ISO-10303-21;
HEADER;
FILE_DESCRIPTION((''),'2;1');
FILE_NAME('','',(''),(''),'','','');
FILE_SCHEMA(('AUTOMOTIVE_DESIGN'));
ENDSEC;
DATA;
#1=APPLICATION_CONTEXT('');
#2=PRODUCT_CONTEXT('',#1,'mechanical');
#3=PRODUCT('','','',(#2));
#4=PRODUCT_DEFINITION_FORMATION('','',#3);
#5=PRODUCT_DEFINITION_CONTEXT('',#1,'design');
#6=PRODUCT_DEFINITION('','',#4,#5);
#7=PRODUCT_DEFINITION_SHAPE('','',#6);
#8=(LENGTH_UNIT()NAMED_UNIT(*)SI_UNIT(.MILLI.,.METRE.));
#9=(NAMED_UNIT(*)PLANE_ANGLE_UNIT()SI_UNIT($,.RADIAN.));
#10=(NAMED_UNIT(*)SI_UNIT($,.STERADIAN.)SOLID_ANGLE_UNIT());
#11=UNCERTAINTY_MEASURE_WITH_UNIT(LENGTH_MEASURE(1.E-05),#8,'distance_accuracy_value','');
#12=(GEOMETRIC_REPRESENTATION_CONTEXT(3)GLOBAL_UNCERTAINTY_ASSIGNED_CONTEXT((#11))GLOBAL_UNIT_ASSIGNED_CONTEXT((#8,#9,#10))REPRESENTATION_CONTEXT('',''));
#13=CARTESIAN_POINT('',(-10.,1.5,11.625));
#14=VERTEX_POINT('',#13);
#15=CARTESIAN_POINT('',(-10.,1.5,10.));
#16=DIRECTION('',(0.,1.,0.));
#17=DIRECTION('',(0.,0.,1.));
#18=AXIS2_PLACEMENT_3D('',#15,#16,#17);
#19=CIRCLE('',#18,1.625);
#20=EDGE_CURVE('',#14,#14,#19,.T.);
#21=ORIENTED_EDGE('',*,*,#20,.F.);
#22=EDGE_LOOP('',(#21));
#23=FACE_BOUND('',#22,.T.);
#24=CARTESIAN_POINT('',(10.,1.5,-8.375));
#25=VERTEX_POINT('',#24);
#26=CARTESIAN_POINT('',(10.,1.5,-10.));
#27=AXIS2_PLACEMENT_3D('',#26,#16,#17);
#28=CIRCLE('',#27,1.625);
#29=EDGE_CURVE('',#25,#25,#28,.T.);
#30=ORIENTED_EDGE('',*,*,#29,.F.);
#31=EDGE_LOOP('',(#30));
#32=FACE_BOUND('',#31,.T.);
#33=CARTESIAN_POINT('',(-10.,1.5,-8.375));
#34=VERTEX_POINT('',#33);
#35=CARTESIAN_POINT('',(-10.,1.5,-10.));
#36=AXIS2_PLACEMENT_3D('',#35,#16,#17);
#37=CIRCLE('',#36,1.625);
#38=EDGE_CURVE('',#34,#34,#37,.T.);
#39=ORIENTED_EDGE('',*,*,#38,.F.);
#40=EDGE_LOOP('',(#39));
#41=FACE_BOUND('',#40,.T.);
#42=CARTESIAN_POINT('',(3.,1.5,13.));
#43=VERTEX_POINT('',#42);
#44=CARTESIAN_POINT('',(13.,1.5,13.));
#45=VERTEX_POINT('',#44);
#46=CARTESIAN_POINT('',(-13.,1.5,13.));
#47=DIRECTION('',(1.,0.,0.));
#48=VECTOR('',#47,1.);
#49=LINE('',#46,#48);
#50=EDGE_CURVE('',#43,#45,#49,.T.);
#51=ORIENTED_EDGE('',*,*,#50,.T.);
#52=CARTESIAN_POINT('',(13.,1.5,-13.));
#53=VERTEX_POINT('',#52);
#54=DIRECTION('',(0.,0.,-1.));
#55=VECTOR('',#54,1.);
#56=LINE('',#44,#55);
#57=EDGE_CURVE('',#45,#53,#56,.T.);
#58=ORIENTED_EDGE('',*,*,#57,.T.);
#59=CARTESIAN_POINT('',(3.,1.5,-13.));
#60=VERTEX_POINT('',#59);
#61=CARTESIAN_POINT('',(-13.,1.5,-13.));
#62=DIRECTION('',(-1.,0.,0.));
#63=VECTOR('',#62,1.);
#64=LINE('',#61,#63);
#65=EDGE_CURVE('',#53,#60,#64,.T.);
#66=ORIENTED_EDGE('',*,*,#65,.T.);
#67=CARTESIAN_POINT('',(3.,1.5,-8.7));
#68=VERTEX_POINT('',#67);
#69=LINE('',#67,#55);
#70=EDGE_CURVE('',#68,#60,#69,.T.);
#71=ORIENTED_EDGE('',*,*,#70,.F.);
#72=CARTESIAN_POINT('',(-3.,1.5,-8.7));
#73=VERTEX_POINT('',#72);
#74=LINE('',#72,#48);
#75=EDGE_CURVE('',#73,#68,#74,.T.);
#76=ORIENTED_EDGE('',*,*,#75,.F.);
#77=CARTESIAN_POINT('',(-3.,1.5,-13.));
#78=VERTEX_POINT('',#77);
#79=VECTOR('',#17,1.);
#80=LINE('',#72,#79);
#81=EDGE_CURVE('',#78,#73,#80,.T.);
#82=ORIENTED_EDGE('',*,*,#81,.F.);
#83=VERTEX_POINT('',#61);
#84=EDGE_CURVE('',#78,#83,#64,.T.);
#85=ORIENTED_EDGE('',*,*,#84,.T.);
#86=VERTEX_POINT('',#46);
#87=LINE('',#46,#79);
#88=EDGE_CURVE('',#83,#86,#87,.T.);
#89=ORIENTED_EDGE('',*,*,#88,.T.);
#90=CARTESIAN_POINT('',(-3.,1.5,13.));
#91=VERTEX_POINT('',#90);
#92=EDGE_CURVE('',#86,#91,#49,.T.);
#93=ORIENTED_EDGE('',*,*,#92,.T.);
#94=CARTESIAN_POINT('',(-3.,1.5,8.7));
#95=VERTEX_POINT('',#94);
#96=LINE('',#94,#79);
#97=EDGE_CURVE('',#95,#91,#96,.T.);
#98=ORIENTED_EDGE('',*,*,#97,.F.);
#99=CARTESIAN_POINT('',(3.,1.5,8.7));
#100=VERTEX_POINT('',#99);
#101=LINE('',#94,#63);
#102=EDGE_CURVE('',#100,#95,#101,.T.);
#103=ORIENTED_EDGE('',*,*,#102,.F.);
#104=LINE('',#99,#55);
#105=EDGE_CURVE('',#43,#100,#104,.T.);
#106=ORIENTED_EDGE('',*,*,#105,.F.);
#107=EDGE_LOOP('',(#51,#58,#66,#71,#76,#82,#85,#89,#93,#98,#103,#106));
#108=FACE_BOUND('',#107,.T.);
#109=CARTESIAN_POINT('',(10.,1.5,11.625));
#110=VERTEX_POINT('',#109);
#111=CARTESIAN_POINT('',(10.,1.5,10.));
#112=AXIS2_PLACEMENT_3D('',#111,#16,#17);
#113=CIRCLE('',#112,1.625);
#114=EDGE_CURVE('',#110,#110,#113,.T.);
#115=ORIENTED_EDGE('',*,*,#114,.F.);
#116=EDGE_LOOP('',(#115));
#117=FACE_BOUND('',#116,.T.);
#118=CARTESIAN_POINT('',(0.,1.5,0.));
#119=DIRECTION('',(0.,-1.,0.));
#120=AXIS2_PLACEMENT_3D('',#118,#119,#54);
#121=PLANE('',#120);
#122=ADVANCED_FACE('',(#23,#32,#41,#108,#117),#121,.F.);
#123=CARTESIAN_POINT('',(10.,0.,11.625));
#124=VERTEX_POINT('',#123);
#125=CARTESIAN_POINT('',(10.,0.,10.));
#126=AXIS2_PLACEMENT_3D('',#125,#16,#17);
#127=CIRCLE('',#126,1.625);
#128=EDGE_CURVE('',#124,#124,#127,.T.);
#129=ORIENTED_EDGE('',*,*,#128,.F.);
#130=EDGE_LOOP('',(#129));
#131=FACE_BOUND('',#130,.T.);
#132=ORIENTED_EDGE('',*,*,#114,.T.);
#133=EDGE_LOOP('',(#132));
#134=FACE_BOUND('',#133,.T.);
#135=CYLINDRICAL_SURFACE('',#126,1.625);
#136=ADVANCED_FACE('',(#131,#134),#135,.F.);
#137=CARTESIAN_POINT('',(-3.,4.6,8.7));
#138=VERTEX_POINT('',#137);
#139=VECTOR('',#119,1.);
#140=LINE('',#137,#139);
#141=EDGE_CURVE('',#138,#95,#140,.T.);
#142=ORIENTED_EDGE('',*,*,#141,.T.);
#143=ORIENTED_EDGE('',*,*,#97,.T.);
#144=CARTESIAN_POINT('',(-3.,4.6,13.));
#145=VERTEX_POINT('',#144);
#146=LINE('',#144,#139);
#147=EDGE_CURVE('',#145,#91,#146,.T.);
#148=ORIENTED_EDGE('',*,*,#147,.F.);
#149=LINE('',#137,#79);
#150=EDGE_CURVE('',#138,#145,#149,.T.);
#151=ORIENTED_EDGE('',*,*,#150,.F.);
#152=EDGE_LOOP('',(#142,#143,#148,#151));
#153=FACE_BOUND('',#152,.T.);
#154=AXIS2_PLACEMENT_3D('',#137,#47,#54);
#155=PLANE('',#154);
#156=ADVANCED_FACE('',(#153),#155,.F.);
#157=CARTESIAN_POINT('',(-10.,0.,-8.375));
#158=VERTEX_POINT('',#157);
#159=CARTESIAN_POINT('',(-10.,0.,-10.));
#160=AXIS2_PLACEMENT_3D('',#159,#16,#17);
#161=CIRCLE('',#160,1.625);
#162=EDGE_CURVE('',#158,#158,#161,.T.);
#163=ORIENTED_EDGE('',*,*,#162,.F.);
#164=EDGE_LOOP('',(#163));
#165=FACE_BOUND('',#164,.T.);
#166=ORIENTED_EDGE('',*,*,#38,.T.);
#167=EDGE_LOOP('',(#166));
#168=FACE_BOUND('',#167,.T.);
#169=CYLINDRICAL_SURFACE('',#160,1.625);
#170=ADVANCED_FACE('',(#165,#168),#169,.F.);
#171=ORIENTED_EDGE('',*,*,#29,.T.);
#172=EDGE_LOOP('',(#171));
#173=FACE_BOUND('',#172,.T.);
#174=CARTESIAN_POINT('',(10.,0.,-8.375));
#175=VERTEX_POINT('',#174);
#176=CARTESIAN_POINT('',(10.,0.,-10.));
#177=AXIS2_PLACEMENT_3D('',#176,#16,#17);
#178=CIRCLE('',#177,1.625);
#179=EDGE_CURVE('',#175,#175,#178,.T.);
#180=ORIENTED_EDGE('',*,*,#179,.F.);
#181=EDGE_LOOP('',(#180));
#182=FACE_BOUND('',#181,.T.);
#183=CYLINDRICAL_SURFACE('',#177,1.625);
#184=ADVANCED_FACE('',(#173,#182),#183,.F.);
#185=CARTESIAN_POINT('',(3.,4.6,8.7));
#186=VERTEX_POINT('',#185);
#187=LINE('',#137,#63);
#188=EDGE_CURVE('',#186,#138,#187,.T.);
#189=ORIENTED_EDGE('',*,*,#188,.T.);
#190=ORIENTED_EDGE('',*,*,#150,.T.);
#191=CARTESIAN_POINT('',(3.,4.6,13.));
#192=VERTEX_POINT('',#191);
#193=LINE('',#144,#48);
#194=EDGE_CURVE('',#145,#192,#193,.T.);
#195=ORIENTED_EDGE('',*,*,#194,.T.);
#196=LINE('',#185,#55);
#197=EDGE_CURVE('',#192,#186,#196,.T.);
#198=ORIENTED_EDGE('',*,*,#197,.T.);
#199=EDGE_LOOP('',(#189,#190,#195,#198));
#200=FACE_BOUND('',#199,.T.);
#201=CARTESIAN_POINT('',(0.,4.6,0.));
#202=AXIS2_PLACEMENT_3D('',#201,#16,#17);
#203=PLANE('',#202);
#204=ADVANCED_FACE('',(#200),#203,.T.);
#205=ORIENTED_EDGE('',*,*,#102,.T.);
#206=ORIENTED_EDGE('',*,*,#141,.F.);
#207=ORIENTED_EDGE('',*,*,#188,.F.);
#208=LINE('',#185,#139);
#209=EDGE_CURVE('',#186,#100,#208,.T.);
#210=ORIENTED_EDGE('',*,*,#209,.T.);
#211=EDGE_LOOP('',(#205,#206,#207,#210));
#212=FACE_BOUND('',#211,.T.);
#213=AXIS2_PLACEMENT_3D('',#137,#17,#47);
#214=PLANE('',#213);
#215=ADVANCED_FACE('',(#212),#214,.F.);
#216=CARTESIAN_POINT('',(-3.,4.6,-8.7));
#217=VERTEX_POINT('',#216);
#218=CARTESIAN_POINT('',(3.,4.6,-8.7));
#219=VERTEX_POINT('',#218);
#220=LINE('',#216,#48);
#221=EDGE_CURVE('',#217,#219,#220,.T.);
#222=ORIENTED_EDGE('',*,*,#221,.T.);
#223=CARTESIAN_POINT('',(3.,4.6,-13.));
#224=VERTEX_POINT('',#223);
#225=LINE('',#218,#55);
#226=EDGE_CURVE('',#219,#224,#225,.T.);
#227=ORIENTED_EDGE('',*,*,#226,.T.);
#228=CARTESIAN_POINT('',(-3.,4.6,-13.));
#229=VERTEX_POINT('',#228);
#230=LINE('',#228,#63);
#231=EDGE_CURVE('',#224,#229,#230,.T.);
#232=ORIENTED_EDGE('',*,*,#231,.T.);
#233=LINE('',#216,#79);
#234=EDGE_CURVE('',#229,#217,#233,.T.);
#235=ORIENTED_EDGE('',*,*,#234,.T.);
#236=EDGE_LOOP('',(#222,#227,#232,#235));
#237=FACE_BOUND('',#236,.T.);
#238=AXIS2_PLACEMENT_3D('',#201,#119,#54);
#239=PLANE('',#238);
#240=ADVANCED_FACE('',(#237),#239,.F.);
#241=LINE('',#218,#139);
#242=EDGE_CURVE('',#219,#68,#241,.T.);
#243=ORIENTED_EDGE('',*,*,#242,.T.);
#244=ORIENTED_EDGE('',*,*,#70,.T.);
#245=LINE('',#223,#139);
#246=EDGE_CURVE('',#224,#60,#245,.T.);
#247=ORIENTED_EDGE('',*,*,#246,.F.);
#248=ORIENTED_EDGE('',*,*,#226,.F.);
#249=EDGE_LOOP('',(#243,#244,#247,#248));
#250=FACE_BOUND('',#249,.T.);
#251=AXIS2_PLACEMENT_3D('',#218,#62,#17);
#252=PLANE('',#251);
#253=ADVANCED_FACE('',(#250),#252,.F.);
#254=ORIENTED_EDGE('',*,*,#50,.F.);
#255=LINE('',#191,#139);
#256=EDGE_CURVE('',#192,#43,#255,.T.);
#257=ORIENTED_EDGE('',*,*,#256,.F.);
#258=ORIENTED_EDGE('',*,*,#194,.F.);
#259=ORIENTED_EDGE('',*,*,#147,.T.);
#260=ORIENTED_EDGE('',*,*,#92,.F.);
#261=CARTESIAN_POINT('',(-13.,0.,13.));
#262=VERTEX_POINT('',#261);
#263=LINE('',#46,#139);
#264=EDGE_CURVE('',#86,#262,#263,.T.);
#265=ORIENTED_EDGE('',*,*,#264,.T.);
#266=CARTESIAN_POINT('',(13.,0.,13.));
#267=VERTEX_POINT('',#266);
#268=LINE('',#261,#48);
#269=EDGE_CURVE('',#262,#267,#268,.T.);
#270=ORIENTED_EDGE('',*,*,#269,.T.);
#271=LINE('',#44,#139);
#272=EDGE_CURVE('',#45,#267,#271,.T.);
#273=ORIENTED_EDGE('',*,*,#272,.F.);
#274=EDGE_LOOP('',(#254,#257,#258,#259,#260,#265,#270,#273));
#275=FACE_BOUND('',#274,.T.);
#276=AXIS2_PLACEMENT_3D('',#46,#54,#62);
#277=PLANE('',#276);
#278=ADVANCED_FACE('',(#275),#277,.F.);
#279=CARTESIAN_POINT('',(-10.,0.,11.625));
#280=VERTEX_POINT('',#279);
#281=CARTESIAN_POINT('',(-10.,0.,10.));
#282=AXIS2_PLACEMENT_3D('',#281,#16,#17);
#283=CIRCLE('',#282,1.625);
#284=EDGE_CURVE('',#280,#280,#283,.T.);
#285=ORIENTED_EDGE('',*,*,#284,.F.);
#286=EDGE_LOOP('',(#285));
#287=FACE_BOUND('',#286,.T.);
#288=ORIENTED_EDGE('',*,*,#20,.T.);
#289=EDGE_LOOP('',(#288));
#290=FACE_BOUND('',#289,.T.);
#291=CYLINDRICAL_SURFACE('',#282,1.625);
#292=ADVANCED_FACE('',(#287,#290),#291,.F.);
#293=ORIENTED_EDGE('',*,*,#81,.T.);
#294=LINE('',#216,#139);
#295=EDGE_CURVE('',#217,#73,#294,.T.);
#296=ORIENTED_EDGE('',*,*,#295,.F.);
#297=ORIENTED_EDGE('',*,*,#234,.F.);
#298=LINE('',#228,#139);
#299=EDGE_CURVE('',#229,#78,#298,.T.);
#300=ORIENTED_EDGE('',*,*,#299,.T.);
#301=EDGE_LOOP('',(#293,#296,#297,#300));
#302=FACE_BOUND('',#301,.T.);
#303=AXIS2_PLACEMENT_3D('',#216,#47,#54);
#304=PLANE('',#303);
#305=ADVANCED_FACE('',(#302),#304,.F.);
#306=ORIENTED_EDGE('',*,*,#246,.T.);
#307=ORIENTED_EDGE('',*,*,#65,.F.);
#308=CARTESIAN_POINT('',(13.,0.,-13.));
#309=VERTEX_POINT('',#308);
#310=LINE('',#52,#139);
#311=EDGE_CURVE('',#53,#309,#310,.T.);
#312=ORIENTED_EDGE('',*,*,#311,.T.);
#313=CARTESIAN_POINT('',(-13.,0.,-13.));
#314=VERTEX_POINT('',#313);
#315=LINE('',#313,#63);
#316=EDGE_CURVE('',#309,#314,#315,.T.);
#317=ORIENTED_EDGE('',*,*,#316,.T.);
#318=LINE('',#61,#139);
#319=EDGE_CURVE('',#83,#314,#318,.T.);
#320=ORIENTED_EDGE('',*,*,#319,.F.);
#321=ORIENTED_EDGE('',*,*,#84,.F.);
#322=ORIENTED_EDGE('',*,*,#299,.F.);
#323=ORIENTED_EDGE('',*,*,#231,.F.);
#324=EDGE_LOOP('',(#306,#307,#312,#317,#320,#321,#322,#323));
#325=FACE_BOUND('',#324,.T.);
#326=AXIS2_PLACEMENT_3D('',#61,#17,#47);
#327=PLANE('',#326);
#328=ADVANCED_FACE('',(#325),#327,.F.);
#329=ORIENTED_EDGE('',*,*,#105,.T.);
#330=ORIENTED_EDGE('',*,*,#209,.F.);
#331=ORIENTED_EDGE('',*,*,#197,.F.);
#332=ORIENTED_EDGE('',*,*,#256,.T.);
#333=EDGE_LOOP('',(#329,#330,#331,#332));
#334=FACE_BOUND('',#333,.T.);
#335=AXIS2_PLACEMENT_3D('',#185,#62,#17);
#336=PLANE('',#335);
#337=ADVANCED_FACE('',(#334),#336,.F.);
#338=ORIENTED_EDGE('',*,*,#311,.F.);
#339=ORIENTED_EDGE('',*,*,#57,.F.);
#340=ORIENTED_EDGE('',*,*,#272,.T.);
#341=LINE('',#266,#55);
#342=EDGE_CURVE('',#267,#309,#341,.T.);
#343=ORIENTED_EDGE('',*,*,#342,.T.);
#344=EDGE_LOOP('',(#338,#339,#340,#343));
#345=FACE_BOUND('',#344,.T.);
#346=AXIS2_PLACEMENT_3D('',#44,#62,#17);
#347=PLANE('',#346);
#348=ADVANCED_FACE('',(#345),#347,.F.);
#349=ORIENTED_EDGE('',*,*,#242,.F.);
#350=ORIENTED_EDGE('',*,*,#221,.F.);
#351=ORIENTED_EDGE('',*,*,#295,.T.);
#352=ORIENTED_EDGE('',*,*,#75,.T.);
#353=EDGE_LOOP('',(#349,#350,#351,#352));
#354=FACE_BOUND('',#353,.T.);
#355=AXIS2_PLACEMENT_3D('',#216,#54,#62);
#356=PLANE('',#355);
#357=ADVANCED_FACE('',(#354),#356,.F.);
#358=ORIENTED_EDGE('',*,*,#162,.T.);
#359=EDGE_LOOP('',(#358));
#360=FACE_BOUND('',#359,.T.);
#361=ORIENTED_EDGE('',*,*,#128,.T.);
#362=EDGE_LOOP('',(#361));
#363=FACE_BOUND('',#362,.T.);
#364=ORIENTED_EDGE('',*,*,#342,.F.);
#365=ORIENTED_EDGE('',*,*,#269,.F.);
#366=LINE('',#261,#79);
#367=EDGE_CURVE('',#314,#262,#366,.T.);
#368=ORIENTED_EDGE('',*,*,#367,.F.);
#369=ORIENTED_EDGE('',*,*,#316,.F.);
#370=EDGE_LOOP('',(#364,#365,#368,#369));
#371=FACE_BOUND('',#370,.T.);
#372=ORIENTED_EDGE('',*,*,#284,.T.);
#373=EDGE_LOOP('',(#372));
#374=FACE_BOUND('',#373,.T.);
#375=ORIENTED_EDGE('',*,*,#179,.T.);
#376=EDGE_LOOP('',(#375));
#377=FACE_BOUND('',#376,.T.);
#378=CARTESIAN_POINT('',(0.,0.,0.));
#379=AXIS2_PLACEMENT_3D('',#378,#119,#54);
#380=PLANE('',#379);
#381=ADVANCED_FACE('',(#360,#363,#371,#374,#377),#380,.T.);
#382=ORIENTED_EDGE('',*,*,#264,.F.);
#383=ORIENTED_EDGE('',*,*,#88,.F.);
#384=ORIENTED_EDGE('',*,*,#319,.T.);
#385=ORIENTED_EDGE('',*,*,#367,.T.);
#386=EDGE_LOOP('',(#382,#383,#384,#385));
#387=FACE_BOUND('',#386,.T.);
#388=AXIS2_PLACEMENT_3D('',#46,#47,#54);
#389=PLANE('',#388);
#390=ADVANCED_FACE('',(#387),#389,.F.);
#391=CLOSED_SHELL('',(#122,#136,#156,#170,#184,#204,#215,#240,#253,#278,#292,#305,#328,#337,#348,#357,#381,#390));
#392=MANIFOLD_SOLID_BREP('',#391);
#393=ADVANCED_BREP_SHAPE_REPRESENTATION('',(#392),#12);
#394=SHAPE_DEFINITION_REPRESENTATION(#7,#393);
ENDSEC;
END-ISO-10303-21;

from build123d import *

# Parameters (mm, degrees)
SKETCH1_W           = 26
SKETCH1_H           = 26
BOSS_EXTRUDE1_DEPTH = 1.5
SKETCH2_R           = 1.625
CUT_EXTRUDE1_DEPTH  = 19.445866746
SKETCH3_W           = 6
SKETCH3_H           = 4.3
BOSS_EXTRUDE2_DEPTH = 3.1


with BuildPart() as part:
    # Sketch1 → Boss-Extrude1 (new body)
    with BuildSketch(Plane(origin=(0, 0, 0), x_dir=(1, 0, 0), z_dir=(0, 1, 0))):
        Rectangle(SKETCH1_W, SKETCH1_H)
    extrude(amount=BOSS_EXTRUDE1_DEPTH)

    # Sketch2 → Cut-Extrude1 (cut, through all)
    with BuildSketch(Plane(origin=(0, 1.5, 0), x_dir=(1, 0, 0), z_dir=(0, 1, 0))):
        with Locations(Location((-10, 10, 0), (0, 0, 270))):
            Circle(SKETCH2_R)
        with Locations(Location((10, 10, 0), (0, 0, 270))):
            Circle(SKETCH2_R)
        with Locations(Location((10, -10, 0), (0, 0, 270))):
            Circle(SKETCH2_R)
        with Locations(Location((-10, -10, 0), (0, 0, 270))):
            Circle(SKETCH2_R)
    extrude(amount=-CUT_EXTRUDE1_DEPTH, mode=Mode.SUBTRACT)

    # Sketch3 → Boss-Extrude2 (add)
    with BuildSketch(Plane(origin=(0, 1.5, 0), x_dir=(1, 0, 0), z_dir=(0, 1, 0))):
        with Locations((0, 10.85)):
            Rectangle(SKETCH3_W, SKETCH3_H)
        with Locations((0, -10.85)):
            Rectangle(SKETCH3_W, SKETCH3_H)
    extrude(amount=BOSS_EXTRUDE2_DEPTH)


solid = part.part
